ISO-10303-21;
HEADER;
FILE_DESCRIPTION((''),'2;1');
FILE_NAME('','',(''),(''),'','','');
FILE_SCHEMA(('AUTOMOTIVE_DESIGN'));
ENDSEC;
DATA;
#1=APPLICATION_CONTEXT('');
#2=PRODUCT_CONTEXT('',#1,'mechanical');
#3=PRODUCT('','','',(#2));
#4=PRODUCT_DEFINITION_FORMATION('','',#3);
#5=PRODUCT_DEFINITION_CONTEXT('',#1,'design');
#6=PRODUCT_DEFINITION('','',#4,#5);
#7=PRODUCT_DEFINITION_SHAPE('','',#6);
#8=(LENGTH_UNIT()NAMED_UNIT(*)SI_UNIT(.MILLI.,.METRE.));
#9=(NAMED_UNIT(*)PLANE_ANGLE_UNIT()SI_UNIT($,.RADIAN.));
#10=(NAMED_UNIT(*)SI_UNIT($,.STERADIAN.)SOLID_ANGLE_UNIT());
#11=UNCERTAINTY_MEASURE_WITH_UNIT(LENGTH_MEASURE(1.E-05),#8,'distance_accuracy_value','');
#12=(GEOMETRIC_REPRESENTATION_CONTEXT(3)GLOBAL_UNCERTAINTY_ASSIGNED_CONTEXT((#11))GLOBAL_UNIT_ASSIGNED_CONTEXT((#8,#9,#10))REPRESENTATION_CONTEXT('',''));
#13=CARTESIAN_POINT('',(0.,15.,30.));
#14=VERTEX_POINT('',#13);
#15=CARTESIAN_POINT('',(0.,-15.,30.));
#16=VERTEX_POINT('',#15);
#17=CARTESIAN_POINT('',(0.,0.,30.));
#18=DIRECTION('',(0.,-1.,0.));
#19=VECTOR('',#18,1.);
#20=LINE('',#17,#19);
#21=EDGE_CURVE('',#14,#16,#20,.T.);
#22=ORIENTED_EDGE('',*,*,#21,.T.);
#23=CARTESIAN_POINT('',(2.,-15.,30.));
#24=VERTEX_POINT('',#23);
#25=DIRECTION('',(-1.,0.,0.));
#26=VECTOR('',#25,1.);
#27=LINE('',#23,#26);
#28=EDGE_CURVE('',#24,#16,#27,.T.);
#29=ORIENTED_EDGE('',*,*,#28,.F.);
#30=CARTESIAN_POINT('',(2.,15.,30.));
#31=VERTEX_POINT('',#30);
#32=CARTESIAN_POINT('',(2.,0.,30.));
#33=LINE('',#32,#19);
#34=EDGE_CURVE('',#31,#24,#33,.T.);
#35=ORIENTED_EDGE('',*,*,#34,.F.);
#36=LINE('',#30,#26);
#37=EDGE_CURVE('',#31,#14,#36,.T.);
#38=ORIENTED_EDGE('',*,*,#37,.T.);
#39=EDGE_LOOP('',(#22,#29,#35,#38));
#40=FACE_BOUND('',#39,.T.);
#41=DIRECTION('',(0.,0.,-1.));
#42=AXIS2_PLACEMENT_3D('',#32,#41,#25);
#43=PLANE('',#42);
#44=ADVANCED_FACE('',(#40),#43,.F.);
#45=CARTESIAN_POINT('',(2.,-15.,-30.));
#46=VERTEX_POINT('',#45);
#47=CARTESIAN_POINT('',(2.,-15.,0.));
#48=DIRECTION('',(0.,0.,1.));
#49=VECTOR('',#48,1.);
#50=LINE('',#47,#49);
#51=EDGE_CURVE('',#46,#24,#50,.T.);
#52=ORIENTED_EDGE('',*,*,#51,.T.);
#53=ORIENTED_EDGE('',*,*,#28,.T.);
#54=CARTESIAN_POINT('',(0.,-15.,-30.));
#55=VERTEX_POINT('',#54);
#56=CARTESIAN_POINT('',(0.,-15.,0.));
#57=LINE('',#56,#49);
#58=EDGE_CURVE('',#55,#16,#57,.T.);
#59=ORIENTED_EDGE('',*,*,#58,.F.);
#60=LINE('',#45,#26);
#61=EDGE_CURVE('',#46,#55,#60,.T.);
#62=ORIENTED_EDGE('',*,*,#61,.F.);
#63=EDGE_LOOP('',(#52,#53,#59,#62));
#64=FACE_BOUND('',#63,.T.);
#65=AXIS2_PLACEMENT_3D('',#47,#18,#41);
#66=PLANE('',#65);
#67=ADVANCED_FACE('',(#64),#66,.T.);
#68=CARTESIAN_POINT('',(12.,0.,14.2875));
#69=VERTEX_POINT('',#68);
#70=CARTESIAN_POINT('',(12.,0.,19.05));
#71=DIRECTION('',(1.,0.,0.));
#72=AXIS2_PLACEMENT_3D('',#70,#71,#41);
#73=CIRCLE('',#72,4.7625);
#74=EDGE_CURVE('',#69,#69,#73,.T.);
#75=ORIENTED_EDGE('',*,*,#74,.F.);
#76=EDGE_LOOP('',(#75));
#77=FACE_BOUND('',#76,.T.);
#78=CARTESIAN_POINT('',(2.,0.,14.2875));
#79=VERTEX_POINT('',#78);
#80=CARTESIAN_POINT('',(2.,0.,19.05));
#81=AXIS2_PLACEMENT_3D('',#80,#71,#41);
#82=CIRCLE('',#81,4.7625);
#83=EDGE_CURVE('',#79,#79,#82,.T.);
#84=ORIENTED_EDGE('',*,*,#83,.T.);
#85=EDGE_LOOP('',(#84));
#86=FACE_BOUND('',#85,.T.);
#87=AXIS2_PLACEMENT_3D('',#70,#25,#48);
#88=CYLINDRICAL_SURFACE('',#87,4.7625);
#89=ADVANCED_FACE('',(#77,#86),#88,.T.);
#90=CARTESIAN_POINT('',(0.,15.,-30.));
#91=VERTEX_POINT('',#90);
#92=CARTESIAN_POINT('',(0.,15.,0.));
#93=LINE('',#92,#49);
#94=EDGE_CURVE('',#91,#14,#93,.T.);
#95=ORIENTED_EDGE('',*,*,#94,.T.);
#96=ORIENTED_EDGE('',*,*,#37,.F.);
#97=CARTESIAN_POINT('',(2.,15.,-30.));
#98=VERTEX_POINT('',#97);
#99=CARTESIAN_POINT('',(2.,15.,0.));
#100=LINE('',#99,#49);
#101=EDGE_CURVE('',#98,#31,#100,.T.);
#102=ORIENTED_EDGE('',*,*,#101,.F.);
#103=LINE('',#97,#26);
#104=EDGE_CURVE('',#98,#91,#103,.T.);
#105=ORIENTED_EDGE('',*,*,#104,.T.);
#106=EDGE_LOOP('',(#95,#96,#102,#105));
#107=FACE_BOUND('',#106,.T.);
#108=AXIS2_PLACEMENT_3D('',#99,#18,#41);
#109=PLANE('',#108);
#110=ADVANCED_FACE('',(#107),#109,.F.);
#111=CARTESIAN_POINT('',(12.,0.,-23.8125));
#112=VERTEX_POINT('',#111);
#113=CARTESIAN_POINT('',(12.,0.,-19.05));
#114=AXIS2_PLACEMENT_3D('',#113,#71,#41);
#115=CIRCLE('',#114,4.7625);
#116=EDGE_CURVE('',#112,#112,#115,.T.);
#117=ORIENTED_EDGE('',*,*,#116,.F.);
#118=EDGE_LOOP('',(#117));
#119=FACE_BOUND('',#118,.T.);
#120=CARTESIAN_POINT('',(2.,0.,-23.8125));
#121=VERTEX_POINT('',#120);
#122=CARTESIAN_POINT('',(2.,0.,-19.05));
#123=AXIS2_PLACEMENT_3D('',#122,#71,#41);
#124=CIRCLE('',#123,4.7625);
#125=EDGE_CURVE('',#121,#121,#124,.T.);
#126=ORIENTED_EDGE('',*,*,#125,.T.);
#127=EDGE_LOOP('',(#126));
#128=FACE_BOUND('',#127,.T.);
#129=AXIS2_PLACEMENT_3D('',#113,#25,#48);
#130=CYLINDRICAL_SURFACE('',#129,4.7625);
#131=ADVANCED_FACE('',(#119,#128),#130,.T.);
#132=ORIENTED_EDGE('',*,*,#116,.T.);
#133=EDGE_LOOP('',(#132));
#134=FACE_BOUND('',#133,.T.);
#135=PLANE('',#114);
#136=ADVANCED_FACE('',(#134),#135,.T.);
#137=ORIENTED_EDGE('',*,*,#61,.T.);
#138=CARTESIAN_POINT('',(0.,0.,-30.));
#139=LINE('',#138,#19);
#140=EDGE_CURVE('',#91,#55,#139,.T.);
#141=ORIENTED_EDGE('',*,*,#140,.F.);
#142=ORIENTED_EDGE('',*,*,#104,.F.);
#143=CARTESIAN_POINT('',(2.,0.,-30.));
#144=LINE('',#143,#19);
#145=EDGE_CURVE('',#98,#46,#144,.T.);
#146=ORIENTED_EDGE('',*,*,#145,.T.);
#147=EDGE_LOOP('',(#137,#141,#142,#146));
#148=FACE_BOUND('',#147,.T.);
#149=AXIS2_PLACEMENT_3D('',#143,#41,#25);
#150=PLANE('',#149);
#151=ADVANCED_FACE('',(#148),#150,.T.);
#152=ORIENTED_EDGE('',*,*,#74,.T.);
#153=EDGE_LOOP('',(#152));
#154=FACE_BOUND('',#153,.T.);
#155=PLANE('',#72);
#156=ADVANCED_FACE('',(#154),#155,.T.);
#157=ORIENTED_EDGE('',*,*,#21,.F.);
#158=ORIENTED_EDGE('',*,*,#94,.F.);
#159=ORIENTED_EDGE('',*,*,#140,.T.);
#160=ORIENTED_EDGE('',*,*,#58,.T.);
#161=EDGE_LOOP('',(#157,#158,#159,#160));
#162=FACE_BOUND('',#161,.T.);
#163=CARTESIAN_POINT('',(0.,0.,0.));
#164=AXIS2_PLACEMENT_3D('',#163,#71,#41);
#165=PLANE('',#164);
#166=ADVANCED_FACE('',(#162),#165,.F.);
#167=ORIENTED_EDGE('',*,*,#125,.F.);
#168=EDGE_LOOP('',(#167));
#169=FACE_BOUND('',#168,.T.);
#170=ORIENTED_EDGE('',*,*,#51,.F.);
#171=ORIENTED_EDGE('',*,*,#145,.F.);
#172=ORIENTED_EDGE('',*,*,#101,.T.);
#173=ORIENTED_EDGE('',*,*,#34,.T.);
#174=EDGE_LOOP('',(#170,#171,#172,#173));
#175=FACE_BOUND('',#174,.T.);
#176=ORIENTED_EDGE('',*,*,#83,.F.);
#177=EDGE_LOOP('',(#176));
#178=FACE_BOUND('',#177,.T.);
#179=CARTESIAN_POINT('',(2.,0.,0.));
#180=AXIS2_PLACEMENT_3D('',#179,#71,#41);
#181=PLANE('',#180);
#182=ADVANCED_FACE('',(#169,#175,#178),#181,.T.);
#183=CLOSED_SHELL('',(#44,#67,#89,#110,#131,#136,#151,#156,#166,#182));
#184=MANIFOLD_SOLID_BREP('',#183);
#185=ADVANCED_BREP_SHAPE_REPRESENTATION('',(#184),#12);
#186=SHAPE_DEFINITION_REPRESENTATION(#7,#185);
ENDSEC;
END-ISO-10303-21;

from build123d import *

# Parameters (mm, degrees)
SKETCH2_W           = 60
SKETCH2_H           = 30
SKETCH2_R           = 4.7625
BOSS_EXTRUDE1_DEPTH = 2
BOSS_EXTRUDE2_START = 2
SKETCH2_3_R         = 4.7625
BOSS_EXTRUDE2_DEPTH = 10


with BuildPart() as part:
    # Sketch2 → Boss-Extrude1 (new body)
    # profile 1 of 3: a face of its own
    with BuildSketch(Plane(origin=(0, 0, 0), x_dir=(0, 0, -1), z_dir=(1, 0, 0))):
        Rectangle(SKETCH2_W, SKETCH2_H)
        with Locations((19.05, 0)):
            Circle(SKETCH2_R, mode=Mode.SUBTRACT)
        with Locations((-19.05, 0)):
            Circle(SKETCH2_R, mode=Mode.SUBTRACT)
    # profile 2 of 3: a face of its own
    with BuildSketch(Plane(origin=(0, 0, 0), x_dir=(0, 0, -1), z_dir=(1, 0, 0))):
        with Locations((19.05, 0)):
            Circle(SKETCH2_R)
    # profile 3 of 3: a face of its own
    with BuildSketch(Plane(origin=(0, 0, 0), x_dir=(0, 0, -1), z_dir=(1, 0, 0))):
        with Locations((-19.05, 0)):
            Circle(SKETCH2_R)
    extrude(amount=BOSS_EXTRUDE1_DEPTH)

    # Sketch2<3> → Boss-Extrude2 (add)
    with BuildSketch(Plane(origin=(0, 0, 0), x_dir=(0, 0, -1), z_dir=(1, 0, 0)).offset(BOSS_EXTRUDE2_START)):
        with Locations((-19.05, 0)):
            Circle(SKETCH2_3_R)
        with Locations((19.05, 0)):
            Circle(SKETCH2_3_R)
    extrude(amount=BOSS_EXTRUDE2_DEPTH)


solid = part.part
